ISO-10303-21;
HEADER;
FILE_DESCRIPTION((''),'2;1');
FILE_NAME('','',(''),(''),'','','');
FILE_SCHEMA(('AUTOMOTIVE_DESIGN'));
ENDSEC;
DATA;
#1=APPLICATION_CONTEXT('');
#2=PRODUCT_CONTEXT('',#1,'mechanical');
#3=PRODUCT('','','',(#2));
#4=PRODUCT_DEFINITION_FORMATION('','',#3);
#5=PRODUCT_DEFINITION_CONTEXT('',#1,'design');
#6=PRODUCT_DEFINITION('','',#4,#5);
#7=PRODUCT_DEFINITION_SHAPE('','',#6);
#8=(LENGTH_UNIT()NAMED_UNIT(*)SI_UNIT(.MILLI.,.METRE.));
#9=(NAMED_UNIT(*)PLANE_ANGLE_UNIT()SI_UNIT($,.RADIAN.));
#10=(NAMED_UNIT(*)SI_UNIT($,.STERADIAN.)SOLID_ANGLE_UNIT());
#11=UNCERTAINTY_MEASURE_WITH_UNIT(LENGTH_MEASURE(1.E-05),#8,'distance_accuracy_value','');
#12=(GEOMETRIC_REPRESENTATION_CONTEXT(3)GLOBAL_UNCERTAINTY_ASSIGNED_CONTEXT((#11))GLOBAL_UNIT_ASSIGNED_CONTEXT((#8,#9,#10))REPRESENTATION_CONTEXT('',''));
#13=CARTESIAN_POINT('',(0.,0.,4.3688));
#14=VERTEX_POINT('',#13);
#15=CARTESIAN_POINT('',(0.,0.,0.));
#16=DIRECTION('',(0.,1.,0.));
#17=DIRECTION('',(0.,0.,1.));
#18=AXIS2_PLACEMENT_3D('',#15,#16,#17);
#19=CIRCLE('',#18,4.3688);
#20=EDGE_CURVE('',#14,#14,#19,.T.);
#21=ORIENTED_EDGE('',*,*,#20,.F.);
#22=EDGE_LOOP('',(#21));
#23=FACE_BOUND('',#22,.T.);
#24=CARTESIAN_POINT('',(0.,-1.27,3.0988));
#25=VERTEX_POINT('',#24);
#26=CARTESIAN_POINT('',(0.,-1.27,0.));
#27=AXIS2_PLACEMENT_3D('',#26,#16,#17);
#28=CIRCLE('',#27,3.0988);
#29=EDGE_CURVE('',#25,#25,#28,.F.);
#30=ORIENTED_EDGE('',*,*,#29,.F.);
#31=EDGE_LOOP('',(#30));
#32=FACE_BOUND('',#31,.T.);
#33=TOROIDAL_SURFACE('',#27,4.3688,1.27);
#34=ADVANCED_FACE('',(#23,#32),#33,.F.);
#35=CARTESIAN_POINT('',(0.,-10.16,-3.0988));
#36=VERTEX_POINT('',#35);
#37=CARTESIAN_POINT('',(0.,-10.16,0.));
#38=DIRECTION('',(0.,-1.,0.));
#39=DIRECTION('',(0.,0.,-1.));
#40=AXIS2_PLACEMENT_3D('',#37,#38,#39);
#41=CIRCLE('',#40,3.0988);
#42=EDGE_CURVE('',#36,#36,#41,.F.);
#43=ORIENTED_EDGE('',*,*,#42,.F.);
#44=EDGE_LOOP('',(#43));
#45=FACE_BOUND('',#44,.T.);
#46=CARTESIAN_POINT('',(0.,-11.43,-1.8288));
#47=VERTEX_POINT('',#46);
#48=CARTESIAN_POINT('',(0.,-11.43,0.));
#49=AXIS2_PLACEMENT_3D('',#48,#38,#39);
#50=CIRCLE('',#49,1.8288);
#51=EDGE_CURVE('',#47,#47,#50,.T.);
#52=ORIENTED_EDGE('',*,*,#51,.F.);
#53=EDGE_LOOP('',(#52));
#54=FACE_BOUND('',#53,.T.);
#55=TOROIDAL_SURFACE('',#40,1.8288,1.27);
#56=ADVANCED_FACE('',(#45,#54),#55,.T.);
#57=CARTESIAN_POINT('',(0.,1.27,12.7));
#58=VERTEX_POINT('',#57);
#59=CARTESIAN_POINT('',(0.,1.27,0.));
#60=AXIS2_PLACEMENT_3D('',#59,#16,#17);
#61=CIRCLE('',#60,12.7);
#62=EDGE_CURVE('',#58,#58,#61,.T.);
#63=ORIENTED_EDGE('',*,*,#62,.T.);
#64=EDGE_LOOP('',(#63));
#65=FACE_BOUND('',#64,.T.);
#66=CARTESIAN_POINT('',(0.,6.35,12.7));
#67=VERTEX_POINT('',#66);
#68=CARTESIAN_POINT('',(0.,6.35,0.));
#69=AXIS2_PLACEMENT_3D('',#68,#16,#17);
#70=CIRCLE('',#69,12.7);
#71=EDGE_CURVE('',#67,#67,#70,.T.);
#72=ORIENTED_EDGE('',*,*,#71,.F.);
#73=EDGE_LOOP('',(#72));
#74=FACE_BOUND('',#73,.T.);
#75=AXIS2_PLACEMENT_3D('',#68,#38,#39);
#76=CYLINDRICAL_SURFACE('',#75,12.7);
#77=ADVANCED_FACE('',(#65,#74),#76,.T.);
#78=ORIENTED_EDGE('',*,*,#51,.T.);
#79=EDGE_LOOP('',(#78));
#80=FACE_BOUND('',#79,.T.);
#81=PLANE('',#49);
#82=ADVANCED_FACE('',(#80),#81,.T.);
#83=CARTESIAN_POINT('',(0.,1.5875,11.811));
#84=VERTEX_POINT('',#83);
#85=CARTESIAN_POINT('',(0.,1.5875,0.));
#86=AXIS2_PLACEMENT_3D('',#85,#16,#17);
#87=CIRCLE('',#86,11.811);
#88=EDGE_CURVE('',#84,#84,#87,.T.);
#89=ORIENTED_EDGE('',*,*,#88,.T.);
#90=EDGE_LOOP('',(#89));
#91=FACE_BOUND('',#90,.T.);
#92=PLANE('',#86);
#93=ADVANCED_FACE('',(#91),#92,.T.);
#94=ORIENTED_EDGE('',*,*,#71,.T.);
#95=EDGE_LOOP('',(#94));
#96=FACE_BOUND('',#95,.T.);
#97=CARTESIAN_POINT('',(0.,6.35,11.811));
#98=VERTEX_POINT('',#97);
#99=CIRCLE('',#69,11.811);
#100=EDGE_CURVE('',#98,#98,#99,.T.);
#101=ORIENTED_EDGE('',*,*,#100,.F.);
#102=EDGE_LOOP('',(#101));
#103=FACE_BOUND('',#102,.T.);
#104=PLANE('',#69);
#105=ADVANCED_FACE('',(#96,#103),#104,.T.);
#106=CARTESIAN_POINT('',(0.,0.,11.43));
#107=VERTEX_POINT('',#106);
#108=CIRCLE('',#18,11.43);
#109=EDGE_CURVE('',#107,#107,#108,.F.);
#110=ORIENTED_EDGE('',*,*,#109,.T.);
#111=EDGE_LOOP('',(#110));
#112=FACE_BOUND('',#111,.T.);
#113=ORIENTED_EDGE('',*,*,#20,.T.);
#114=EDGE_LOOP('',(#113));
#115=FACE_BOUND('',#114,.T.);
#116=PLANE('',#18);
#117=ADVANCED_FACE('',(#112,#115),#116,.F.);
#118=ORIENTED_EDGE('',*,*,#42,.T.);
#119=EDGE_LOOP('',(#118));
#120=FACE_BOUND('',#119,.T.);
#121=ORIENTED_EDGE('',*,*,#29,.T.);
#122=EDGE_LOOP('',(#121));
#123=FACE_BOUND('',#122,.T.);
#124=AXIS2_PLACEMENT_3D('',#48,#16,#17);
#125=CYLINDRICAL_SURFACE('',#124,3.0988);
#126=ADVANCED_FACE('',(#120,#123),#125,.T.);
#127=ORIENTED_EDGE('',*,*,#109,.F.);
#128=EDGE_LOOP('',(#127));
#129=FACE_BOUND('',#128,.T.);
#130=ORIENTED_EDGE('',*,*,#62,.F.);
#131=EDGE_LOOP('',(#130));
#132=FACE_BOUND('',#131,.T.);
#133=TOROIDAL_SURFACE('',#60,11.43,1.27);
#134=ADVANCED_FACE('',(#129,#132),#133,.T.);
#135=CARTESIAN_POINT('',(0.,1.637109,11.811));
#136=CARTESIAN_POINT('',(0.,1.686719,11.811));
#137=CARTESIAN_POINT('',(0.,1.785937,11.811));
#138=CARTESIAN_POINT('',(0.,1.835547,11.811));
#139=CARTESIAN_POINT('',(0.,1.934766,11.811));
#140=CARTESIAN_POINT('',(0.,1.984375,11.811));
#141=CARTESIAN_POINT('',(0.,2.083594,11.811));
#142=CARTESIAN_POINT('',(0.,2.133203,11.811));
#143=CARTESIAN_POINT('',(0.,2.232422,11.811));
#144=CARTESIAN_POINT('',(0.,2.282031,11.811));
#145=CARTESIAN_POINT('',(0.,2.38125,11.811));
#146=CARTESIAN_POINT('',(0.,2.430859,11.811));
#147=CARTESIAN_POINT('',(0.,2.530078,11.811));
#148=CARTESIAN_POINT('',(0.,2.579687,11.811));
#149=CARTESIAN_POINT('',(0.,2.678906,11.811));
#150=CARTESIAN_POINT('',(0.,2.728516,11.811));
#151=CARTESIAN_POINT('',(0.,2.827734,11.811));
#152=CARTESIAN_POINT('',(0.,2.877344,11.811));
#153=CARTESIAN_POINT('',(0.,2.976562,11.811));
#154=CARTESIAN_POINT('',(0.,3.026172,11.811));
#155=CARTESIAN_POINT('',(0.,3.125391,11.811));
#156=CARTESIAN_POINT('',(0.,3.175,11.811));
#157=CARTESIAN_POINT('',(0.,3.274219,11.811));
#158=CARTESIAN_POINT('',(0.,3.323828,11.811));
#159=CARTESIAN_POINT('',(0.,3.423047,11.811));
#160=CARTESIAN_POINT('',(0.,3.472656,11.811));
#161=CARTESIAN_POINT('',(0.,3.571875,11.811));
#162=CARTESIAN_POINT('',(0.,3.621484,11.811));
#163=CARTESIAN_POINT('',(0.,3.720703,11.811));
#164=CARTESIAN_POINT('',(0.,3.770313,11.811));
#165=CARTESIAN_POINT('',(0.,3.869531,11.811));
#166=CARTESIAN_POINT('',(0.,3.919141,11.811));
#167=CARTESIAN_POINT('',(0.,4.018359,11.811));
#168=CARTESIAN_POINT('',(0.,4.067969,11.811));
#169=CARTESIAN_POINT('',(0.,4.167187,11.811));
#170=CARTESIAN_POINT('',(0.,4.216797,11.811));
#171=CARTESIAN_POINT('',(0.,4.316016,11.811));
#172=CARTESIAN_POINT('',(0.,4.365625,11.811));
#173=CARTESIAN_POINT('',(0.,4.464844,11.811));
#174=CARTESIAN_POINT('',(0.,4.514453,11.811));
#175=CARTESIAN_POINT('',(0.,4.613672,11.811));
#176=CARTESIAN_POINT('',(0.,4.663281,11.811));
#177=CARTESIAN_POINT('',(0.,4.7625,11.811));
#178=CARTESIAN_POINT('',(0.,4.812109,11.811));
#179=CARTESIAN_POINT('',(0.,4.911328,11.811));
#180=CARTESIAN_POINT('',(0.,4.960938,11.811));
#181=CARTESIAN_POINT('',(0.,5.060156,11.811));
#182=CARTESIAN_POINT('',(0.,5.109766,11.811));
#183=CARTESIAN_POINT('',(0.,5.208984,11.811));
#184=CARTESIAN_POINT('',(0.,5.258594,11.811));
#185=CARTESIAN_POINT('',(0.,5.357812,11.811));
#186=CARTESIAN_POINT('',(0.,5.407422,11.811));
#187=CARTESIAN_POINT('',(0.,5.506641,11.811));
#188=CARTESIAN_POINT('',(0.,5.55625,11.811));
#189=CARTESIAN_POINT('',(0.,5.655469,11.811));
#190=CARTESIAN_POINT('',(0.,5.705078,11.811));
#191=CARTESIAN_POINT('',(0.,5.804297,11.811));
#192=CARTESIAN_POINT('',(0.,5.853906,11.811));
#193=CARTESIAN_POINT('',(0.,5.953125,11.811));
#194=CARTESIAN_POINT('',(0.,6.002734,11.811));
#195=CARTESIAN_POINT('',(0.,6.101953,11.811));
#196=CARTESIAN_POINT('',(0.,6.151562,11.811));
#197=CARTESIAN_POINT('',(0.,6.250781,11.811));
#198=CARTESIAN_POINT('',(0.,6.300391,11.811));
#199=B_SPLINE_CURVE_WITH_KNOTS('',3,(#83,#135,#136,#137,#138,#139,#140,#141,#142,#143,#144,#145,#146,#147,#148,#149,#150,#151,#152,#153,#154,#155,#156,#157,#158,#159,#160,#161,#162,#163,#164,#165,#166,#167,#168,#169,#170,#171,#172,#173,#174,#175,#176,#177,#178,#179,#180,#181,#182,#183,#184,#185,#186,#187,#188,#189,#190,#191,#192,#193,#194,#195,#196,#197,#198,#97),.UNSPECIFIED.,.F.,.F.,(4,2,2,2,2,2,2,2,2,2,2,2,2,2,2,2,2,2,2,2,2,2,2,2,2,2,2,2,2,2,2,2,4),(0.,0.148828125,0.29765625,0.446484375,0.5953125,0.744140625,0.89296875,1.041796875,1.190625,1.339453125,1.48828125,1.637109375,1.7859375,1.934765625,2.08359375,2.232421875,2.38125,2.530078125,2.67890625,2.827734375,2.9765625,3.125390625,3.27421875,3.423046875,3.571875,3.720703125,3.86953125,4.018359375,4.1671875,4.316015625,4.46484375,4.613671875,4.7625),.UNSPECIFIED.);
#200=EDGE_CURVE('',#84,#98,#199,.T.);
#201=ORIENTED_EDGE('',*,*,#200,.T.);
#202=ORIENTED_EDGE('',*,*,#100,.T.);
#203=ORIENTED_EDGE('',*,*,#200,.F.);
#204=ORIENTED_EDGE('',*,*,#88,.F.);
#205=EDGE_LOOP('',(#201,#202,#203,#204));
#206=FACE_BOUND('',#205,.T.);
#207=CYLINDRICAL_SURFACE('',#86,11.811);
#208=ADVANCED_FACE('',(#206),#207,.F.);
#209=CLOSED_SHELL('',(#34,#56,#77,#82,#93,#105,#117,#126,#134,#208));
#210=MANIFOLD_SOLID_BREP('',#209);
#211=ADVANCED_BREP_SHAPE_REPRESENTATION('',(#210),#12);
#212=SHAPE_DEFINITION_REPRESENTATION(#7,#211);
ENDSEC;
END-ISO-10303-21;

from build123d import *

# Parameters (mm, degrees)
SKETCH1_R           = 12.7
BOSS_EXTRUDE1_DEPTH = 6.35
SKETCH2_R           = 11.811
CUT_EXTRUDE1_DEPTH  = 4.7625
SKETCH3_R           = 3.0988
BOSS_EXTRUDE2_DEPTH = 11.43
FILLET1_R           = 1.27


with BuildPart() as part:
    # Sketch1 → Boss-Extrude1 (new body)
    with BuildSketch(Plane(origin=(0, 0, 0), x_dir=(1, 0, 0), z_dir=(0, 1, 0))):
        with Locations(Location((0, 0, 0), (0, 0, 270))):
            Circle(SKETCH1_R)
    extrude(amount=BOSS_EXTRUDE1_DEPTH)

    # Sketch2 → Cut-Extrude1 (cut)
    with BuildSketch(Plane(origin=(0, 6.35, 0), x_dir=(1, 0, 0), z_dir=(0, 1, 0))):
        with Locations(Location((0, 0, 0), (0, 0, 270))):
            Circle(SKETCH2_R)
    extrude(amount=-CUT_EXTRUDE1_DEPTH, mode=Mode.SUBTRACT)

    # Sketch3 → Boss-Extrude2 (add)
    with BuildSketch(Plane.XZ):
        with Locations(Location((0, 0, 0), (0, 0, 270))):
            Circle(SKETCH3_R)
    extrude(amount=BOSS_EXTRUDE2_DEPTH)

    # Fillet1
    fillet1_edges = [part.edges().sort_by_distance(p)[0] for p in [
        (0, -11.43, 3.0988),
        (0, 0, -12.7),
        (0, 0, 3.0988),
    ]]
    fillet(fillet1_edges, radius=FILLET1_R)


solid = part.part
